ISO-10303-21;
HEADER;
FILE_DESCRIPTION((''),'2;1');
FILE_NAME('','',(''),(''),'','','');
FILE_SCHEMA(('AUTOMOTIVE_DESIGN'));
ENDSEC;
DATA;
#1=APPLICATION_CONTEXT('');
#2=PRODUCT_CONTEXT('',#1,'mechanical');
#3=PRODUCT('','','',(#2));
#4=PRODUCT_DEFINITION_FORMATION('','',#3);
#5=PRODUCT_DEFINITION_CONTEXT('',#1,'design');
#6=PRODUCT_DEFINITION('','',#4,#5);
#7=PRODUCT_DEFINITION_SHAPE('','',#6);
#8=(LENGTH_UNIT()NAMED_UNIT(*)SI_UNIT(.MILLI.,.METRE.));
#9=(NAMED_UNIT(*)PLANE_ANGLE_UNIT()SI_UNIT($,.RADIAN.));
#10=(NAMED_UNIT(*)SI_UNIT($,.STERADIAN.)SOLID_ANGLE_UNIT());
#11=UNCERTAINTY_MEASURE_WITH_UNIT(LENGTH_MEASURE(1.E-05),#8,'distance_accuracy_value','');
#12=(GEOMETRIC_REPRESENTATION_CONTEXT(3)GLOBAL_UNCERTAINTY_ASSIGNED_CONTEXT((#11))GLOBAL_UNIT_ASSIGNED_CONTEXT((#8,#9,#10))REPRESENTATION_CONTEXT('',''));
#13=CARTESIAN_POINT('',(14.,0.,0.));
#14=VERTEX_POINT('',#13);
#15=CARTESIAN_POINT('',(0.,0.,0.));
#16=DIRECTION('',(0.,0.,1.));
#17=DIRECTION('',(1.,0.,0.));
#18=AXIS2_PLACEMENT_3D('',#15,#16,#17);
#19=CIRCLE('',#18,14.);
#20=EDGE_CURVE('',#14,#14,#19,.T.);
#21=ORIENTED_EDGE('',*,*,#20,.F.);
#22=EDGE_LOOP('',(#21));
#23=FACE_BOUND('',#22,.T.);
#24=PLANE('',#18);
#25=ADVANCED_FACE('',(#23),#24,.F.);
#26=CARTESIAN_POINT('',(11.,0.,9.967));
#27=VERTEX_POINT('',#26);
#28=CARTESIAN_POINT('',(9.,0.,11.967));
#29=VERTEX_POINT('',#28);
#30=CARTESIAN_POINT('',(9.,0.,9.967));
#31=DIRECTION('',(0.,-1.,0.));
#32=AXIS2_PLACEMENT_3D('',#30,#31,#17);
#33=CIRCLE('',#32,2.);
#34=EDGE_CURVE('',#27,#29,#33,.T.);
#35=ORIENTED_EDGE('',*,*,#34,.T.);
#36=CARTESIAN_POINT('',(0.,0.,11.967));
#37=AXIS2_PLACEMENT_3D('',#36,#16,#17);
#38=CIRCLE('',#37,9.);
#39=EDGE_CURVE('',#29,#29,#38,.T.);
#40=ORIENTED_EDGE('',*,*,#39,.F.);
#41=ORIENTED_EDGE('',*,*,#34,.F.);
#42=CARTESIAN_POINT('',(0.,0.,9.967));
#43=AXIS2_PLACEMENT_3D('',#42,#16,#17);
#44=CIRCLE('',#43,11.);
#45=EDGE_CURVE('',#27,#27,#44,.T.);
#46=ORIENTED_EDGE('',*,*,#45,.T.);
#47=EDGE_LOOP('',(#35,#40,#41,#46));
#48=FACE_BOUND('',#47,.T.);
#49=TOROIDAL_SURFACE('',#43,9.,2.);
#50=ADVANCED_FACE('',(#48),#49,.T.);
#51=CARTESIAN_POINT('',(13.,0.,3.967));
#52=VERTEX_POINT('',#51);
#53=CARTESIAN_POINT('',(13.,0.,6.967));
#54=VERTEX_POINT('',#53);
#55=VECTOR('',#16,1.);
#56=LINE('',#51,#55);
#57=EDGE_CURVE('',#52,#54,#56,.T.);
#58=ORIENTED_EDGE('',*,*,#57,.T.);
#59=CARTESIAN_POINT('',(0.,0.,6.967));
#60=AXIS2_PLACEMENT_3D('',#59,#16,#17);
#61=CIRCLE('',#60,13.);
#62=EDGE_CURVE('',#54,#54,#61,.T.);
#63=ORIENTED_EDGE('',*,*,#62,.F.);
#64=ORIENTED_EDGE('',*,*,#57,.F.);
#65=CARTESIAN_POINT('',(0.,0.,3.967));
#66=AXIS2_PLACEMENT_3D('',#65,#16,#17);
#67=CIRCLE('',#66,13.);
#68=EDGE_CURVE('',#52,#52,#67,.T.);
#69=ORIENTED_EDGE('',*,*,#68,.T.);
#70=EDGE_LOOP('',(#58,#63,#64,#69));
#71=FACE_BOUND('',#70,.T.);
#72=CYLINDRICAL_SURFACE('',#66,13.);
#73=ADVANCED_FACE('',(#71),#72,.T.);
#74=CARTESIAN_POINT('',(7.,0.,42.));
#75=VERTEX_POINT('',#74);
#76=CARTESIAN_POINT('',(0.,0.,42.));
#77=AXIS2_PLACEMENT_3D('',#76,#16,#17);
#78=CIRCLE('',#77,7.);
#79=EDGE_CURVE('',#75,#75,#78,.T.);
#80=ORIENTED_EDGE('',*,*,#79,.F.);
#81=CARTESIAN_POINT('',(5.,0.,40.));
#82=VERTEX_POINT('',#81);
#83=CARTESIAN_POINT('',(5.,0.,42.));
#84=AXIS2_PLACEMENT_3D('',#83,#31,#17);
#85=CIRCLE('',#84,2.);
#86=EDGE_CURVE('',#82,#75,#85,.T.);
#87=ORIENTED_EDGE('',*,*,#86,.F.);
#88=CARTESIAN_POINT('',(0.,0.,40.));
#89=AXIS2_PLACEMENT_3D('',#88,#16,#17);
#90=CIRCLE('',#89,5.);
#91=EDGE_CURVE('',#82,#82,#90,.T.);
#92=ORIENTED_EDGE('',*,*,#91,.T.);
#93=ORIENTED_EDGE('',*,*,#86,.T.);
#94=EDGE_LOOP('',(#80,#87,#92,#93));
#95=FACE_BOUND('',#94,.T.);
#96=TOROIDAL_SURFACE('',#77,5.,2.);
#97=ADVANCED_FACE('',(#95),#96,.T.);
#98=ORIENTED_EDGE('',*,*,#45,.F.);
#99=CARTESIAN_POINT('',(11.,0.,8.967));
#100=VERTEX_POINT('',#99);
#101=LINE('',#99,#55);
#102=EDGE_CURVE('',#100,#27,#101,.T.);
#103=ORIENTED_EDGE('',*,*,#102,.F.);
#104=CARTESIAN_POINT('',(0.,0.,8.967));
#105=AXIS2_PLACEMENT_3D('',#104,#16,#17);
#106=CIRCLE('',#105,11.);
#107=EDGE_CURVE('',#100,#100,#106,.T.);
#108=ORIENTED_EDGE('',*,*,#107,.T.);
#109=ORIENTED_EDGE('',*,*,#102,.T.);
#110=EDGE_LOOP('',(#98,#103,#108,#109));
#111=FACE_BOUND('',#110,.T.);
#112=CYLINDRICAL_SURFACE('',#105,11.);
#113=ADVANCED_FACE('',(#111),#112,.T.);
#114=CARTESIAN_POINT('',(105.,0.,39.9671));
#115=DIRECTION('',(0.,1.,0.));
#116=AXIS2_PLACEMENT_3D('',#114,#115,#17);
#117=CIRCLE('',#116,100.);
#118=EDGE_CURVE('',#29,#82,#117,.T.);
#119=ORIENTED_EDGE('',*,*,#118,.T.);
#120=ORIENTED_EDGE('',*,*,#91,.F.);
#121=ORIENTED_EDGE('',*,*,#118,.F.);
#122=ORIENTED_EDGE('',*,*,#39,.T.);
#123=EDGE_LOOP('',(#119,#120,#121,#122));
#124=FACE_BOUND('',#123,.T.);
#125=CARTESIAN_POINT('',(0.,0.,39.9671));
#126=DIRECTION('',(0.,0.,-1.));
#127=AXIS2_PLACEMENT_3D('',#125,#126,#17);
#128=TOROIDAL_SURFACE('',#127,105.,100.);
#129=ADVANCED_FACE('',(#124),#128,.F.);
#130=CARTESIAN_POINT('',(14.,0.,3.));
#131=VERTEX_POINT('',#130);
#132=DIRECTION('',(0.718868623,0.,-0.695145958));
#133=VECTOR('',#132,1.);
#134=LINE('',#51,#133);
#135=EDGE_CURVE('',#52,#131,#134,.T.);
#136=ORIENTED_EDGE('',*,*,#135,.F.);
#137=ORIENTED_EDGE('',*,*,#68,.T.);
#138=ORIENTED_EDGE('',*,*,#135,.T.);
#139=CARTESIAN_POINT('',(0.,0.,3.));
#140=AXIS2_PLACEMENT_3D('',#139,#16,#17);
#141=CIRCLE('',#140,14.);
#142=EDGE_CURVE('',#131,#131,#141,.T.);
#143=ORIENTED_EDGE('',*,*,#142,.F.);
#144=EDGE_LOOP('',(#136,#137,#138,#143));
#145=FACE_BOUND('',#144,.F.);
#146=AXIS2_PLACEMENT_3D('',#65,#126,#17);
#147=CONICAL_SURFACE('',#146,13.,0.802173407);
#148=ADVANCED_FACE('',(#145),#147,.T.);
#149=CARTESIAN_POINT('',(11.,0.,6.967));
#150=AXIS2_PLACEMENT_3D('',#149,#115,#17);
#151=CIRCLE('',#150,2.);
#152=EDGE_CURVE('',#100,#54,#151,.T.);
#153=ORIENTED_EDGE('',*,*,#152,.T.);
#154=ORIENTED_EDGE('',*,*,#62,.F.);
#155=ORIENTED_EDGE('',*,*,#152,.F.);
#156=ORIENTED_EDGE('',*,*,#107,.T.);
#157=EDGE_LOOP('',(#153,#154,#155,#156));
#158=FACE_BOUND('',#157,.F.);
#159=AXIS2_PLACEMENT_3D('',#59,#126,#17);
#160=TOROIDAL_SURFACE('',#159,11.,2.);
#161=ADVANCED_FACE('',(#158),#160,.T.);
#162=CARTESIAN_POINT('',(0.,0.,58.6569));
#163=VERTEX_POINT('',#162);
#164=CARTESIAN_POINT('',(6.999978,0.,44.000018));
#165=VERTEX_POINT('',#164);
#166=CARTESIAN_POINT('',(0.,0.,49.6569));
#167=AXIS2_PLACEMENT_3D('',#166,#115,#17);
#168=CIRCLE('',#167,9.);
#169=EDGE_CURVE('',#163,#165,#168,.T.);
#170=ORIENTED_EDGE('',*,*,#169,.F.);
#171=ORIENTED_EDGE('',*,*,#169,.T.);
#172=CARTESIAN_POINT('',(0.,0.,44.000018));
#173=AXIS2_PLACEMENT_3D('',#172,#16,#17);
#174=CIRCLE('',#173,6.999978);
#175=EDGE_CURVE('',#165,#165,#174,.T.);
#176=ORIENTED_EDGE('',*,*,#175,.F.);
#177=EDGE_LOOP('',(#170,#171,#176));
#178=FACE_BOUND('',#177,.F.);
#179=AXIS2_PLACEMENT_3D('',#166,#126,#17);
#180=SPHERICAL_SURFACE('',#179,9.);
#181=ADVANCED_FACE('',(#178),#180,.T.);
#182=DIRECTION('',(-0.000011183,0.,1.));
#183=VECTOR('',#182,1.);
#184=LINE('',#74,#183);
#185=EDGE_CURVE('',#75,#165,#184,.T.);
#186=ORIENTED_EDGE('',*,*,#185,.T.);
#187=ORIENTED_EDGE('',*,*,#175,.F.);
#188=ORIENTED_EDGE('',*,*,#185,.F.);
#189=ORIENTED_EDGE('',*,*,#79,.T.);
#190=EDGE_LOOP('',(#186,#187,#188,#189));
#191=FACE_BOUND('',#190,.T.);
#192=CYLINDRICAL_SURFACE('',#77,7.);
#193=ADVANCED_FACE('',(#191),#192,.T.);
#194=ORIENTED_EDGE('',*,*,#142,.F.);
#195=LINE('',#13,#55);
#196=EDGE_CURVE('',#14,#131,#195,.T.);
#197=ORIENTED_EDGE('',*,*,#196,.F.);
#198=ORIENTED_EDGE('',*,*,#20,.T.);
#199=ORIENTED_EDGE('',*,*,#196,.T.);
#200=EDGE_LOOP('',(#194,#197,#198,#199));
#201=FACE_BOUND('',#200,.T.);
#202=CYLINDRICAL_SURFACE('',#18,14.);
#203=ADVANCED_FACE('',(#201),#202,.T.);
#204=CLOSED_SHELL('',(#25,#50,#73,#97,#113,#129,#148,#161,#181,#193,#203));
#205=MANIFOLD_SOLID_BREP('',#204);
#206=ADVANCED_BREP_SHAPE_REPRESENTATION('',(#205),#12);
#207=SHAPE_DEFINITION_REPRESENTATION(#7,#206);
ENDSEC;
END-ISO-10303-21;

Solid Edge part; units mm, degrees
sketch "Sketch1" plane through (0, 0, 0) normal (0, -1, 0) x (1, 0, 0)
  arc A0 (11, 8.967) -> (13, 6.967) centre (11, 6.967) cw
  line L0 (13, 3.967) -> (13, 6.967)
  line L1 (13, 3.967) -> (14, 3)
  line L2 (14, 0) -> (14, 3)
  line L3 (0, 0) -> (14, 0)
  line L4 (0, 0) -> (0, 58.6569)
  line L5 (7, 42) -> (7, 44)
  arc A1 (5, 40) -> (7, 42) centre (5, 42) ccw
  arc A2 (11, 9.967) -> (9, 11.967) centre (9, 9.967) ccw
  line L6 (11, 8.967) -> (11, 9.967)
  arc A3 (0, 58.6569) -> (7, 44) centre (0, 49.6569) cw
  arc A4 (9, 11.967) -> (5, 40) centre (105, 39.9671) cw
revolve "RevolvedProtrusion1" add sketch "Sketch1" angle 360 about axis through (0, 0, 0) along (0, 0, 1)
